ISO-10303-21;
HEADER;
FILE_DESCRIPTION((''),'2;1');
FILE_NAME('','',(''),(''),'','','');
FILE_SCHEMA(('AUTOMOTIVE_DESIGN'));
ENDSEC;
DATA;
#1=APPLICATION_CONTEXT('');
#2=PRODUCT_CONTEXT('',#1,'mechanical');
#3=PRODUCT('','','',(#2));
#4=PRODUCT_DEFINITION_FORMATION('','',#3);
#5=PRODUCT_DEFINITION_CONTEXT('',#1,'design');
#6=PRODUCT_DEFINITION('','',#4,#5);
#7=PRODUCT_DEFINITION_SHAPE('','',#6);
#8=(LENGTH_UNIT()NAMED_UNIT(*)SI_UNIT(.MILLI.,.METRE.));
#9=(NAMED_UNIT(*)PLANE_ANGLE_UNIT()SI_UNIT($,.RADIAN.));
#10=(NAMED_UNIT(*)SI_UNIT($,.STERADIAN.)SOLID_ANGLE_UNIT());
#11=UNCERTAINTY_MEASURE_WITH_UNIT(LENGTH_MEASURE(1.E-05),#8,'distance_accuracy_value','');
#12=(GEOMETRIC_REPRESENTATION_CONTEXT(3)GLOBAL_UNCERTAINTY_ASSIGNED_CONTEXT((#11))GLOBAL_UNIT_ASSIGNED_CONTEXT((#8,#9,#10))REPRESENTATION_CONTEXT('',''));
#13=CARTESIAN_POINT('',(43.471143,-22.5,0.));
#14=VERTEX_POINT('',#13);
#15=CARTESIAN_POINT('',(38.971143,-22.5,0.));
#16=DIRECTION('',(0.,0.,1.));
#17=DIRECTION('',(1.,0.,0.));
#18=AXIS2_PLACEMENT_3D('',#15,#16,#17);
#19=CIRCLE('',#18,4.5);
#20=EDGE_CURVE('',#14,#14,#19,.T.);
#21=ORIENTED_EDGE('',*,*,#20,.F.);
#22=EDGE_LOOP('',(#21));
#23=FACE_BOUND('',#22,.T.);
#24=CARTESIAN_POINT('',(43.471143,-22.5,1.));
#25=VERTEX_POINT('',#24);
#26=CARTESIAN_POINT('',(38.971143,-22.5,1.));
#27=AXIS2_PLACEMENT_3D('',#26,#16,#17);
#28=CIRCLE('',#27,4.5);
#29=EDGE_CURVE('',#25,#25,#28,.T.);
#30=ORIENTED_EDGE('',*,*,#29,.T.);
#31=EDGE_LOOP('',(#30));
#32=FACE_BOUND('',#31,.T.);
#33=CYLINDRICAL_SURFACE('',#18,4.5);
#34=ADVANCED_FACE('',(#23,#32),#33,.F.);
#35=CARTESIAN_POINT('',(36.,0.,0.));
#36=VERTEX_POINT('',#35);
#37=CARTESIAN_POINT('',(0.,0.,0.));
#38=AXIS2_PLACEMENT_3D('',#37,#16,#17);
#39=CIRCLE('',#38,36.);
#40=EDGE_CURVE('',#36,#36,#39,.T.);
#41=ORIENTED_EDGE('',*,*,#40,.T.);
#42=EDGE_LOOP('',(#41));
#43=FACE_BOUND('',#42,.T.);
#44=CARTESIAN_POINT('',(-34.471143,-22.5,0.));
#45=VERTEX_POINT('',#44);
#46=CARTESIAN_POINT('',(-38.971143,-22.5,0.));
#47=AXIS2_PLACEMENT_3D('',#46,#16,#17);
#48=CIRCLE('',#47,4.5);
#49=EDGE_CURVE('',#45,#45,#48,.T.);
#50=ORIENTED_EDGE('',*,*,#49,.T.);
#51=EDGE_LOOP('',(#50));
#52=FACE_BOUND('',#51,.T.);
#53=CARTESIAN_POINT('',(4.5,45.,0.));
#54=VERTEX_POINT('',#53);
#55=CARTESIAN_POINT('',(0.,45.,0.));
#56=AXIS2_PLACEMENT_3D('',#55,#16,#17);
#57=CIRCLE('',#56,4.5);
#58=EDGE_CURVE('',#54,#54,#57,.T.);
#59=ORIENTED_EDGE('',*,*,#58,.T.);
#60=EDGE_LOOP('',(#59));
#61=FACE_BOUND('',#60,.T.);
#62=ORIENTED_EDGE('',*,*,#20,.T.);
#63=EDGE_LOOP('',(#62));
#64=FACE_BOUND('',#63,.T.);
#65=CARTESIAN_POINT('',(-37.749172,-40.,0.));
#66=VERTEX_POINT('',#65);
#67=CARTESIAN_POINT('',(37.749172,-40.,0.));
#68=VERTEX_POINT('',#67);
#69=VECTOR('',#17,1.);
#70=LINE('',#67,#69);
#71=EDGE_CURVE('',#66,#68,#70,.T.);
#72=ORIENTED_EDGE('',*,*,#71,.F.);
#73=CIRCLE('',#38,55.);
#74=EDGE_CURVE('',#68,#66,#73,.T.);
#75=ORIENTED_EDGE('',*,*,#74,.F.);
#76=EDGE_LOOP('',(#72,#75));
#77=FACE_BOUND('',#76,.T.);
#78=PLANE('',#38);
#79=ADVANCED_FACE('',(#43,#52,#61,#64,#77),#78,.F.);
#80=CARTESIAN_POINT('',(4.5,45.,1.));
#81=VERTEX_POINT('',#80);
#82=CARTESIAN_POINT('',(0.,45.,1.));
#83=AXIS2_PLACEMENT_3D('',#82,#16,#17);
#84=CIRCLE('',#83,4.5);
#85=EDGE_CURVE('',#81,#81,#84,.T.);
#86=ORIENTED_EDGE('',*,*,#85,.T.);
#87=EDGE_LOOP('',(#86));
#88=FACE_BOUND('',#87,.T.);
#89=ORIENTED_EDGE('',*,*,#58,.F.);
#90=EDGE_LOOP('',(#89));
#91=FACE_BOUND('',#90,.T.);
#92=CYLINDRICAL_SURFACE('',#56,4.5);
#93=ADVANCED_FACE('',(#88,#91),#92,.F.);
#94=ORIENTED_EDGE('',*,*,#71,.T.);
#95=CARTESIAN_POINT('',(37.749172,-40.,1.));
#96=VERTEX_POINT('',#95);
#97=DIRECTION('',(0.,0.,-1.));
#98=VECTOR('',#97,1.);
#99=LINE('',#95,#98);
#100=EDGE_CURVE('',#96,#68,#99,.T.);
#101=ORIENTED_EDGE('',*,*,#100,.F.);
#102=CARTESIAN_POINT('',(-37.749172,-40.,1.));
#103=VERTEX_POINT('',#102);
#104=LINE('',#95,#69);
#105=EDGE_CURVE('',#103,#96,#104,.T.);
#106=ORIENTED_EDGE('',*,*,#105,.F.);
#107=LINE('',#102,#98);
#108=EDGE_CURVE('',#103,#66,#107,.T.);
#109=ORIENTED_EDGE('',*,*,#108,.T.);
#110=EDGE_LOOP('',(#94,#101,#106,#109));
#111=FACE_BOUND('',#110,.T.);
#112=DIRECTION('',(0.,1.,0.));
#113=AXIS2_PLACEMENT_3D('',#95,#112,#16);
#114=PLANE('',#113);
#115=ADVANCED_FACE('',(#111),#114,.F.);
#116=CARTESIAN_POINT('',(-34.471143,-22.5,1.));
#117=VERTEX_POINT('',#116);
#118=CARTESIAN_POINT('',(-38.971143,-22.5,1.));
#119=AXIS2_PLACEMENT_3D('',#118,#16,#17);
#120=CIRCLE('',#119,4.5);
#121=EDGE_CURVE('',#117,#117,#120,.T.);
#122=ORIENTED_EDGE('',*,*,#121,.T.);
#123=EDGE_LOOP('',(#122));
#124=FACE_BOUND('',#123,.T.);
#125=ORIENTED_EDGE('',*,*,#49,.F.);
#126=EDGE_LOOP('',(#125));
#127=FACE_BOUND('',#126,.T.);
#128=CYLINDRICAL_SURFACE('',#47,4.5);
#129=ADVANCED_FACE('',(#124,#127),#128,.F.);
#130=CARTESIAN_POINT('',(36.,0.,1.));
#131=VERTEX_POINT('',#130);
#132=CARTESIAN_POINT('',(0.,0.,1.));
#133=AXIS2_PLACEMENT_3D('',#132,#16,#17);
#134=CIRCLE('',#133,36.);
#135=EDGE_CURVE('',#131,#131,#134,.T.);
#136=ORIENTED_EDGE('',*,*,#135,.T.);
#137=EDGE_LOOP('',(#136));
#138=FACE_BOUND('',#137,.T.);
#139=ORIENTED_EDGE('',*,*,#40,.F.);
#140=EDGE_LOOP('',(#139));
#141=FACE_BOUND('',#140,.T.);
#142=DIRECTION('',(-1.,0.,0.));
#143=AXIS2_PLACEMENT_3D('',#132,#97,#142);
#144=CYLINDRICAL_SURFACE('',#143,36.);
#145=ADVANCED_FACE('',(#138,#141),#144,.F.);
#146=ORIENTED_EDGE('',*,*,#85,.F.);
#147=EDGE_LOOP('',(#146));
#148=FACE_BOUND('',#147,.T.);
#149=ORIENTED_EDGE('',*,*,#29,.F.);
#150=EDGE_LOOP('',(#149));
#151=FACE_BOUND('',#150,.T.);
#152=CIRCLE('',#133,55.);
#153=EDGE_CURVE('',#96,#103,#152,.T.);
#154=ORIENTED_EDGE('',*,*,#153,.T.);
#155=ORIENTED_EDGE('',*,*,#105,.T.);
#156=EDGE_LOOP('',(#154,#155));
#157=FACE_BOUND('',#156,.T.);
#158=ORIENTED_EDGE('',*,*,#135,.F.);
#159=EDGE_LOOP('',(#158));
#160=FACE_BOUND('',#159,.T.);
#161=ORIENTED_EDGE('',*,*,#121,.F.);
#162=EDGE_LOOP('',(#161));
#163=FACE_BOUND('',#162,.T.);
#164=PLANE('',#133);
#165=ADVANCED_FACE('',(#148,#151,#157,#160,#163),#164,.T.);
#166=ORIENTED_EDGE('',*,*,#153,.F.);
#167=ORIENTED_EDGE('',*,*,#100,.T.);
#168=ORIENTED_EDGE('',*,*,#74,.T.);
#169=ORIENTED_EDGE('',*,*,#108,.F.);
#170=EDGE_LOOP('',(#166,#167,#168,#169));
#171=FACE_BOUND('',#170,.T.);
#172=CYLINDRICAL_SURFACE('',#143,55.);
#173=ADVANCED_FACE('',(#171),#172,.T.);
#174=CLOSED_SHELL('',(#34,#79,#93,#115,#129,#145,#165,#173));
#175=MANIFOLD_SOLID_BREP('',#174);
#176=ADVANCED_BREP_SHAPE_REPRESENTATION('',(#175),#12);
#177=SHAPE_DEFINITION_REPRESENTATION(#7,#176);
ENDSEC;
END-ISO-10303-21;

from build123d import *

# Parameters (mm, degrees)
SCHIZZO1_R                   = 55
SCHIZZO1_R_2                 = 36
ESTRUSIONE_ESTRUSIONE1_DEPTH = 1
SCHIZZO2_R                   = 4.5
TAGLIO_ESTRUSIONE1_DEPTH     = 78.788173908
SCHIZZO4_OUTSIDE_W           = 143.114
SCHIZZO4_OUTSIDE_H           = 143.114
TAGLIO_ESTRUSIONE2_DEPTH     = 78.788173908


with BuildPart() as part:
    # Schizzo1 → Estrusione-Estrusione1 (new body)
    with BuildSketch(Plane.XY):
        Circle(SCHIZZO1_R)
        Circle(SCHIZZO1_R_2, mode=Mode.SUBTRACT)
    extrude(amount=ESTRUSIONE_ESTRUSIONE1_DEPTH)

    # Schizzo2 → Taglio-Estrusione1 (cut, through all)
    with BuildSketch(Plane.XY.offset(1)):
        with Locations((0, 45)):
            Circle(SCHIZZO2_R)
        with Locations((38.97114317, -22.5)):
            Circle(SCHIZZO2_R)
        with Locations((-38.97114317, -22.5)):
            Circle(SCHIZZO2_R)
    extrude(amount=-TAGLIO_ESTRUSIONE1_DEPTH, mode=Mode.SUBTRACT)

    # Schizzo4 outside → Taglio-Estrusione2 (cut, through all)
    with BuildSketch(Plane.XY):
        Rectangle(SCHIZZO4_OUTSIDE_W, SCHIZZO4_OUTSIDE_H)
        with BuildLine():
            Line((37.749172176, -40), (-37.749172176, -40))
            ThreePointArc((-37.749172176, -40), (0, 55), (37.749172176, -40))
        make_face(mode=Mode.SUBTRACT)
    extrude(amount=TAGLIO_ESTRUSIONE2_DEPTH, mode=Mode.SUBTRACT)


solid = part.part
